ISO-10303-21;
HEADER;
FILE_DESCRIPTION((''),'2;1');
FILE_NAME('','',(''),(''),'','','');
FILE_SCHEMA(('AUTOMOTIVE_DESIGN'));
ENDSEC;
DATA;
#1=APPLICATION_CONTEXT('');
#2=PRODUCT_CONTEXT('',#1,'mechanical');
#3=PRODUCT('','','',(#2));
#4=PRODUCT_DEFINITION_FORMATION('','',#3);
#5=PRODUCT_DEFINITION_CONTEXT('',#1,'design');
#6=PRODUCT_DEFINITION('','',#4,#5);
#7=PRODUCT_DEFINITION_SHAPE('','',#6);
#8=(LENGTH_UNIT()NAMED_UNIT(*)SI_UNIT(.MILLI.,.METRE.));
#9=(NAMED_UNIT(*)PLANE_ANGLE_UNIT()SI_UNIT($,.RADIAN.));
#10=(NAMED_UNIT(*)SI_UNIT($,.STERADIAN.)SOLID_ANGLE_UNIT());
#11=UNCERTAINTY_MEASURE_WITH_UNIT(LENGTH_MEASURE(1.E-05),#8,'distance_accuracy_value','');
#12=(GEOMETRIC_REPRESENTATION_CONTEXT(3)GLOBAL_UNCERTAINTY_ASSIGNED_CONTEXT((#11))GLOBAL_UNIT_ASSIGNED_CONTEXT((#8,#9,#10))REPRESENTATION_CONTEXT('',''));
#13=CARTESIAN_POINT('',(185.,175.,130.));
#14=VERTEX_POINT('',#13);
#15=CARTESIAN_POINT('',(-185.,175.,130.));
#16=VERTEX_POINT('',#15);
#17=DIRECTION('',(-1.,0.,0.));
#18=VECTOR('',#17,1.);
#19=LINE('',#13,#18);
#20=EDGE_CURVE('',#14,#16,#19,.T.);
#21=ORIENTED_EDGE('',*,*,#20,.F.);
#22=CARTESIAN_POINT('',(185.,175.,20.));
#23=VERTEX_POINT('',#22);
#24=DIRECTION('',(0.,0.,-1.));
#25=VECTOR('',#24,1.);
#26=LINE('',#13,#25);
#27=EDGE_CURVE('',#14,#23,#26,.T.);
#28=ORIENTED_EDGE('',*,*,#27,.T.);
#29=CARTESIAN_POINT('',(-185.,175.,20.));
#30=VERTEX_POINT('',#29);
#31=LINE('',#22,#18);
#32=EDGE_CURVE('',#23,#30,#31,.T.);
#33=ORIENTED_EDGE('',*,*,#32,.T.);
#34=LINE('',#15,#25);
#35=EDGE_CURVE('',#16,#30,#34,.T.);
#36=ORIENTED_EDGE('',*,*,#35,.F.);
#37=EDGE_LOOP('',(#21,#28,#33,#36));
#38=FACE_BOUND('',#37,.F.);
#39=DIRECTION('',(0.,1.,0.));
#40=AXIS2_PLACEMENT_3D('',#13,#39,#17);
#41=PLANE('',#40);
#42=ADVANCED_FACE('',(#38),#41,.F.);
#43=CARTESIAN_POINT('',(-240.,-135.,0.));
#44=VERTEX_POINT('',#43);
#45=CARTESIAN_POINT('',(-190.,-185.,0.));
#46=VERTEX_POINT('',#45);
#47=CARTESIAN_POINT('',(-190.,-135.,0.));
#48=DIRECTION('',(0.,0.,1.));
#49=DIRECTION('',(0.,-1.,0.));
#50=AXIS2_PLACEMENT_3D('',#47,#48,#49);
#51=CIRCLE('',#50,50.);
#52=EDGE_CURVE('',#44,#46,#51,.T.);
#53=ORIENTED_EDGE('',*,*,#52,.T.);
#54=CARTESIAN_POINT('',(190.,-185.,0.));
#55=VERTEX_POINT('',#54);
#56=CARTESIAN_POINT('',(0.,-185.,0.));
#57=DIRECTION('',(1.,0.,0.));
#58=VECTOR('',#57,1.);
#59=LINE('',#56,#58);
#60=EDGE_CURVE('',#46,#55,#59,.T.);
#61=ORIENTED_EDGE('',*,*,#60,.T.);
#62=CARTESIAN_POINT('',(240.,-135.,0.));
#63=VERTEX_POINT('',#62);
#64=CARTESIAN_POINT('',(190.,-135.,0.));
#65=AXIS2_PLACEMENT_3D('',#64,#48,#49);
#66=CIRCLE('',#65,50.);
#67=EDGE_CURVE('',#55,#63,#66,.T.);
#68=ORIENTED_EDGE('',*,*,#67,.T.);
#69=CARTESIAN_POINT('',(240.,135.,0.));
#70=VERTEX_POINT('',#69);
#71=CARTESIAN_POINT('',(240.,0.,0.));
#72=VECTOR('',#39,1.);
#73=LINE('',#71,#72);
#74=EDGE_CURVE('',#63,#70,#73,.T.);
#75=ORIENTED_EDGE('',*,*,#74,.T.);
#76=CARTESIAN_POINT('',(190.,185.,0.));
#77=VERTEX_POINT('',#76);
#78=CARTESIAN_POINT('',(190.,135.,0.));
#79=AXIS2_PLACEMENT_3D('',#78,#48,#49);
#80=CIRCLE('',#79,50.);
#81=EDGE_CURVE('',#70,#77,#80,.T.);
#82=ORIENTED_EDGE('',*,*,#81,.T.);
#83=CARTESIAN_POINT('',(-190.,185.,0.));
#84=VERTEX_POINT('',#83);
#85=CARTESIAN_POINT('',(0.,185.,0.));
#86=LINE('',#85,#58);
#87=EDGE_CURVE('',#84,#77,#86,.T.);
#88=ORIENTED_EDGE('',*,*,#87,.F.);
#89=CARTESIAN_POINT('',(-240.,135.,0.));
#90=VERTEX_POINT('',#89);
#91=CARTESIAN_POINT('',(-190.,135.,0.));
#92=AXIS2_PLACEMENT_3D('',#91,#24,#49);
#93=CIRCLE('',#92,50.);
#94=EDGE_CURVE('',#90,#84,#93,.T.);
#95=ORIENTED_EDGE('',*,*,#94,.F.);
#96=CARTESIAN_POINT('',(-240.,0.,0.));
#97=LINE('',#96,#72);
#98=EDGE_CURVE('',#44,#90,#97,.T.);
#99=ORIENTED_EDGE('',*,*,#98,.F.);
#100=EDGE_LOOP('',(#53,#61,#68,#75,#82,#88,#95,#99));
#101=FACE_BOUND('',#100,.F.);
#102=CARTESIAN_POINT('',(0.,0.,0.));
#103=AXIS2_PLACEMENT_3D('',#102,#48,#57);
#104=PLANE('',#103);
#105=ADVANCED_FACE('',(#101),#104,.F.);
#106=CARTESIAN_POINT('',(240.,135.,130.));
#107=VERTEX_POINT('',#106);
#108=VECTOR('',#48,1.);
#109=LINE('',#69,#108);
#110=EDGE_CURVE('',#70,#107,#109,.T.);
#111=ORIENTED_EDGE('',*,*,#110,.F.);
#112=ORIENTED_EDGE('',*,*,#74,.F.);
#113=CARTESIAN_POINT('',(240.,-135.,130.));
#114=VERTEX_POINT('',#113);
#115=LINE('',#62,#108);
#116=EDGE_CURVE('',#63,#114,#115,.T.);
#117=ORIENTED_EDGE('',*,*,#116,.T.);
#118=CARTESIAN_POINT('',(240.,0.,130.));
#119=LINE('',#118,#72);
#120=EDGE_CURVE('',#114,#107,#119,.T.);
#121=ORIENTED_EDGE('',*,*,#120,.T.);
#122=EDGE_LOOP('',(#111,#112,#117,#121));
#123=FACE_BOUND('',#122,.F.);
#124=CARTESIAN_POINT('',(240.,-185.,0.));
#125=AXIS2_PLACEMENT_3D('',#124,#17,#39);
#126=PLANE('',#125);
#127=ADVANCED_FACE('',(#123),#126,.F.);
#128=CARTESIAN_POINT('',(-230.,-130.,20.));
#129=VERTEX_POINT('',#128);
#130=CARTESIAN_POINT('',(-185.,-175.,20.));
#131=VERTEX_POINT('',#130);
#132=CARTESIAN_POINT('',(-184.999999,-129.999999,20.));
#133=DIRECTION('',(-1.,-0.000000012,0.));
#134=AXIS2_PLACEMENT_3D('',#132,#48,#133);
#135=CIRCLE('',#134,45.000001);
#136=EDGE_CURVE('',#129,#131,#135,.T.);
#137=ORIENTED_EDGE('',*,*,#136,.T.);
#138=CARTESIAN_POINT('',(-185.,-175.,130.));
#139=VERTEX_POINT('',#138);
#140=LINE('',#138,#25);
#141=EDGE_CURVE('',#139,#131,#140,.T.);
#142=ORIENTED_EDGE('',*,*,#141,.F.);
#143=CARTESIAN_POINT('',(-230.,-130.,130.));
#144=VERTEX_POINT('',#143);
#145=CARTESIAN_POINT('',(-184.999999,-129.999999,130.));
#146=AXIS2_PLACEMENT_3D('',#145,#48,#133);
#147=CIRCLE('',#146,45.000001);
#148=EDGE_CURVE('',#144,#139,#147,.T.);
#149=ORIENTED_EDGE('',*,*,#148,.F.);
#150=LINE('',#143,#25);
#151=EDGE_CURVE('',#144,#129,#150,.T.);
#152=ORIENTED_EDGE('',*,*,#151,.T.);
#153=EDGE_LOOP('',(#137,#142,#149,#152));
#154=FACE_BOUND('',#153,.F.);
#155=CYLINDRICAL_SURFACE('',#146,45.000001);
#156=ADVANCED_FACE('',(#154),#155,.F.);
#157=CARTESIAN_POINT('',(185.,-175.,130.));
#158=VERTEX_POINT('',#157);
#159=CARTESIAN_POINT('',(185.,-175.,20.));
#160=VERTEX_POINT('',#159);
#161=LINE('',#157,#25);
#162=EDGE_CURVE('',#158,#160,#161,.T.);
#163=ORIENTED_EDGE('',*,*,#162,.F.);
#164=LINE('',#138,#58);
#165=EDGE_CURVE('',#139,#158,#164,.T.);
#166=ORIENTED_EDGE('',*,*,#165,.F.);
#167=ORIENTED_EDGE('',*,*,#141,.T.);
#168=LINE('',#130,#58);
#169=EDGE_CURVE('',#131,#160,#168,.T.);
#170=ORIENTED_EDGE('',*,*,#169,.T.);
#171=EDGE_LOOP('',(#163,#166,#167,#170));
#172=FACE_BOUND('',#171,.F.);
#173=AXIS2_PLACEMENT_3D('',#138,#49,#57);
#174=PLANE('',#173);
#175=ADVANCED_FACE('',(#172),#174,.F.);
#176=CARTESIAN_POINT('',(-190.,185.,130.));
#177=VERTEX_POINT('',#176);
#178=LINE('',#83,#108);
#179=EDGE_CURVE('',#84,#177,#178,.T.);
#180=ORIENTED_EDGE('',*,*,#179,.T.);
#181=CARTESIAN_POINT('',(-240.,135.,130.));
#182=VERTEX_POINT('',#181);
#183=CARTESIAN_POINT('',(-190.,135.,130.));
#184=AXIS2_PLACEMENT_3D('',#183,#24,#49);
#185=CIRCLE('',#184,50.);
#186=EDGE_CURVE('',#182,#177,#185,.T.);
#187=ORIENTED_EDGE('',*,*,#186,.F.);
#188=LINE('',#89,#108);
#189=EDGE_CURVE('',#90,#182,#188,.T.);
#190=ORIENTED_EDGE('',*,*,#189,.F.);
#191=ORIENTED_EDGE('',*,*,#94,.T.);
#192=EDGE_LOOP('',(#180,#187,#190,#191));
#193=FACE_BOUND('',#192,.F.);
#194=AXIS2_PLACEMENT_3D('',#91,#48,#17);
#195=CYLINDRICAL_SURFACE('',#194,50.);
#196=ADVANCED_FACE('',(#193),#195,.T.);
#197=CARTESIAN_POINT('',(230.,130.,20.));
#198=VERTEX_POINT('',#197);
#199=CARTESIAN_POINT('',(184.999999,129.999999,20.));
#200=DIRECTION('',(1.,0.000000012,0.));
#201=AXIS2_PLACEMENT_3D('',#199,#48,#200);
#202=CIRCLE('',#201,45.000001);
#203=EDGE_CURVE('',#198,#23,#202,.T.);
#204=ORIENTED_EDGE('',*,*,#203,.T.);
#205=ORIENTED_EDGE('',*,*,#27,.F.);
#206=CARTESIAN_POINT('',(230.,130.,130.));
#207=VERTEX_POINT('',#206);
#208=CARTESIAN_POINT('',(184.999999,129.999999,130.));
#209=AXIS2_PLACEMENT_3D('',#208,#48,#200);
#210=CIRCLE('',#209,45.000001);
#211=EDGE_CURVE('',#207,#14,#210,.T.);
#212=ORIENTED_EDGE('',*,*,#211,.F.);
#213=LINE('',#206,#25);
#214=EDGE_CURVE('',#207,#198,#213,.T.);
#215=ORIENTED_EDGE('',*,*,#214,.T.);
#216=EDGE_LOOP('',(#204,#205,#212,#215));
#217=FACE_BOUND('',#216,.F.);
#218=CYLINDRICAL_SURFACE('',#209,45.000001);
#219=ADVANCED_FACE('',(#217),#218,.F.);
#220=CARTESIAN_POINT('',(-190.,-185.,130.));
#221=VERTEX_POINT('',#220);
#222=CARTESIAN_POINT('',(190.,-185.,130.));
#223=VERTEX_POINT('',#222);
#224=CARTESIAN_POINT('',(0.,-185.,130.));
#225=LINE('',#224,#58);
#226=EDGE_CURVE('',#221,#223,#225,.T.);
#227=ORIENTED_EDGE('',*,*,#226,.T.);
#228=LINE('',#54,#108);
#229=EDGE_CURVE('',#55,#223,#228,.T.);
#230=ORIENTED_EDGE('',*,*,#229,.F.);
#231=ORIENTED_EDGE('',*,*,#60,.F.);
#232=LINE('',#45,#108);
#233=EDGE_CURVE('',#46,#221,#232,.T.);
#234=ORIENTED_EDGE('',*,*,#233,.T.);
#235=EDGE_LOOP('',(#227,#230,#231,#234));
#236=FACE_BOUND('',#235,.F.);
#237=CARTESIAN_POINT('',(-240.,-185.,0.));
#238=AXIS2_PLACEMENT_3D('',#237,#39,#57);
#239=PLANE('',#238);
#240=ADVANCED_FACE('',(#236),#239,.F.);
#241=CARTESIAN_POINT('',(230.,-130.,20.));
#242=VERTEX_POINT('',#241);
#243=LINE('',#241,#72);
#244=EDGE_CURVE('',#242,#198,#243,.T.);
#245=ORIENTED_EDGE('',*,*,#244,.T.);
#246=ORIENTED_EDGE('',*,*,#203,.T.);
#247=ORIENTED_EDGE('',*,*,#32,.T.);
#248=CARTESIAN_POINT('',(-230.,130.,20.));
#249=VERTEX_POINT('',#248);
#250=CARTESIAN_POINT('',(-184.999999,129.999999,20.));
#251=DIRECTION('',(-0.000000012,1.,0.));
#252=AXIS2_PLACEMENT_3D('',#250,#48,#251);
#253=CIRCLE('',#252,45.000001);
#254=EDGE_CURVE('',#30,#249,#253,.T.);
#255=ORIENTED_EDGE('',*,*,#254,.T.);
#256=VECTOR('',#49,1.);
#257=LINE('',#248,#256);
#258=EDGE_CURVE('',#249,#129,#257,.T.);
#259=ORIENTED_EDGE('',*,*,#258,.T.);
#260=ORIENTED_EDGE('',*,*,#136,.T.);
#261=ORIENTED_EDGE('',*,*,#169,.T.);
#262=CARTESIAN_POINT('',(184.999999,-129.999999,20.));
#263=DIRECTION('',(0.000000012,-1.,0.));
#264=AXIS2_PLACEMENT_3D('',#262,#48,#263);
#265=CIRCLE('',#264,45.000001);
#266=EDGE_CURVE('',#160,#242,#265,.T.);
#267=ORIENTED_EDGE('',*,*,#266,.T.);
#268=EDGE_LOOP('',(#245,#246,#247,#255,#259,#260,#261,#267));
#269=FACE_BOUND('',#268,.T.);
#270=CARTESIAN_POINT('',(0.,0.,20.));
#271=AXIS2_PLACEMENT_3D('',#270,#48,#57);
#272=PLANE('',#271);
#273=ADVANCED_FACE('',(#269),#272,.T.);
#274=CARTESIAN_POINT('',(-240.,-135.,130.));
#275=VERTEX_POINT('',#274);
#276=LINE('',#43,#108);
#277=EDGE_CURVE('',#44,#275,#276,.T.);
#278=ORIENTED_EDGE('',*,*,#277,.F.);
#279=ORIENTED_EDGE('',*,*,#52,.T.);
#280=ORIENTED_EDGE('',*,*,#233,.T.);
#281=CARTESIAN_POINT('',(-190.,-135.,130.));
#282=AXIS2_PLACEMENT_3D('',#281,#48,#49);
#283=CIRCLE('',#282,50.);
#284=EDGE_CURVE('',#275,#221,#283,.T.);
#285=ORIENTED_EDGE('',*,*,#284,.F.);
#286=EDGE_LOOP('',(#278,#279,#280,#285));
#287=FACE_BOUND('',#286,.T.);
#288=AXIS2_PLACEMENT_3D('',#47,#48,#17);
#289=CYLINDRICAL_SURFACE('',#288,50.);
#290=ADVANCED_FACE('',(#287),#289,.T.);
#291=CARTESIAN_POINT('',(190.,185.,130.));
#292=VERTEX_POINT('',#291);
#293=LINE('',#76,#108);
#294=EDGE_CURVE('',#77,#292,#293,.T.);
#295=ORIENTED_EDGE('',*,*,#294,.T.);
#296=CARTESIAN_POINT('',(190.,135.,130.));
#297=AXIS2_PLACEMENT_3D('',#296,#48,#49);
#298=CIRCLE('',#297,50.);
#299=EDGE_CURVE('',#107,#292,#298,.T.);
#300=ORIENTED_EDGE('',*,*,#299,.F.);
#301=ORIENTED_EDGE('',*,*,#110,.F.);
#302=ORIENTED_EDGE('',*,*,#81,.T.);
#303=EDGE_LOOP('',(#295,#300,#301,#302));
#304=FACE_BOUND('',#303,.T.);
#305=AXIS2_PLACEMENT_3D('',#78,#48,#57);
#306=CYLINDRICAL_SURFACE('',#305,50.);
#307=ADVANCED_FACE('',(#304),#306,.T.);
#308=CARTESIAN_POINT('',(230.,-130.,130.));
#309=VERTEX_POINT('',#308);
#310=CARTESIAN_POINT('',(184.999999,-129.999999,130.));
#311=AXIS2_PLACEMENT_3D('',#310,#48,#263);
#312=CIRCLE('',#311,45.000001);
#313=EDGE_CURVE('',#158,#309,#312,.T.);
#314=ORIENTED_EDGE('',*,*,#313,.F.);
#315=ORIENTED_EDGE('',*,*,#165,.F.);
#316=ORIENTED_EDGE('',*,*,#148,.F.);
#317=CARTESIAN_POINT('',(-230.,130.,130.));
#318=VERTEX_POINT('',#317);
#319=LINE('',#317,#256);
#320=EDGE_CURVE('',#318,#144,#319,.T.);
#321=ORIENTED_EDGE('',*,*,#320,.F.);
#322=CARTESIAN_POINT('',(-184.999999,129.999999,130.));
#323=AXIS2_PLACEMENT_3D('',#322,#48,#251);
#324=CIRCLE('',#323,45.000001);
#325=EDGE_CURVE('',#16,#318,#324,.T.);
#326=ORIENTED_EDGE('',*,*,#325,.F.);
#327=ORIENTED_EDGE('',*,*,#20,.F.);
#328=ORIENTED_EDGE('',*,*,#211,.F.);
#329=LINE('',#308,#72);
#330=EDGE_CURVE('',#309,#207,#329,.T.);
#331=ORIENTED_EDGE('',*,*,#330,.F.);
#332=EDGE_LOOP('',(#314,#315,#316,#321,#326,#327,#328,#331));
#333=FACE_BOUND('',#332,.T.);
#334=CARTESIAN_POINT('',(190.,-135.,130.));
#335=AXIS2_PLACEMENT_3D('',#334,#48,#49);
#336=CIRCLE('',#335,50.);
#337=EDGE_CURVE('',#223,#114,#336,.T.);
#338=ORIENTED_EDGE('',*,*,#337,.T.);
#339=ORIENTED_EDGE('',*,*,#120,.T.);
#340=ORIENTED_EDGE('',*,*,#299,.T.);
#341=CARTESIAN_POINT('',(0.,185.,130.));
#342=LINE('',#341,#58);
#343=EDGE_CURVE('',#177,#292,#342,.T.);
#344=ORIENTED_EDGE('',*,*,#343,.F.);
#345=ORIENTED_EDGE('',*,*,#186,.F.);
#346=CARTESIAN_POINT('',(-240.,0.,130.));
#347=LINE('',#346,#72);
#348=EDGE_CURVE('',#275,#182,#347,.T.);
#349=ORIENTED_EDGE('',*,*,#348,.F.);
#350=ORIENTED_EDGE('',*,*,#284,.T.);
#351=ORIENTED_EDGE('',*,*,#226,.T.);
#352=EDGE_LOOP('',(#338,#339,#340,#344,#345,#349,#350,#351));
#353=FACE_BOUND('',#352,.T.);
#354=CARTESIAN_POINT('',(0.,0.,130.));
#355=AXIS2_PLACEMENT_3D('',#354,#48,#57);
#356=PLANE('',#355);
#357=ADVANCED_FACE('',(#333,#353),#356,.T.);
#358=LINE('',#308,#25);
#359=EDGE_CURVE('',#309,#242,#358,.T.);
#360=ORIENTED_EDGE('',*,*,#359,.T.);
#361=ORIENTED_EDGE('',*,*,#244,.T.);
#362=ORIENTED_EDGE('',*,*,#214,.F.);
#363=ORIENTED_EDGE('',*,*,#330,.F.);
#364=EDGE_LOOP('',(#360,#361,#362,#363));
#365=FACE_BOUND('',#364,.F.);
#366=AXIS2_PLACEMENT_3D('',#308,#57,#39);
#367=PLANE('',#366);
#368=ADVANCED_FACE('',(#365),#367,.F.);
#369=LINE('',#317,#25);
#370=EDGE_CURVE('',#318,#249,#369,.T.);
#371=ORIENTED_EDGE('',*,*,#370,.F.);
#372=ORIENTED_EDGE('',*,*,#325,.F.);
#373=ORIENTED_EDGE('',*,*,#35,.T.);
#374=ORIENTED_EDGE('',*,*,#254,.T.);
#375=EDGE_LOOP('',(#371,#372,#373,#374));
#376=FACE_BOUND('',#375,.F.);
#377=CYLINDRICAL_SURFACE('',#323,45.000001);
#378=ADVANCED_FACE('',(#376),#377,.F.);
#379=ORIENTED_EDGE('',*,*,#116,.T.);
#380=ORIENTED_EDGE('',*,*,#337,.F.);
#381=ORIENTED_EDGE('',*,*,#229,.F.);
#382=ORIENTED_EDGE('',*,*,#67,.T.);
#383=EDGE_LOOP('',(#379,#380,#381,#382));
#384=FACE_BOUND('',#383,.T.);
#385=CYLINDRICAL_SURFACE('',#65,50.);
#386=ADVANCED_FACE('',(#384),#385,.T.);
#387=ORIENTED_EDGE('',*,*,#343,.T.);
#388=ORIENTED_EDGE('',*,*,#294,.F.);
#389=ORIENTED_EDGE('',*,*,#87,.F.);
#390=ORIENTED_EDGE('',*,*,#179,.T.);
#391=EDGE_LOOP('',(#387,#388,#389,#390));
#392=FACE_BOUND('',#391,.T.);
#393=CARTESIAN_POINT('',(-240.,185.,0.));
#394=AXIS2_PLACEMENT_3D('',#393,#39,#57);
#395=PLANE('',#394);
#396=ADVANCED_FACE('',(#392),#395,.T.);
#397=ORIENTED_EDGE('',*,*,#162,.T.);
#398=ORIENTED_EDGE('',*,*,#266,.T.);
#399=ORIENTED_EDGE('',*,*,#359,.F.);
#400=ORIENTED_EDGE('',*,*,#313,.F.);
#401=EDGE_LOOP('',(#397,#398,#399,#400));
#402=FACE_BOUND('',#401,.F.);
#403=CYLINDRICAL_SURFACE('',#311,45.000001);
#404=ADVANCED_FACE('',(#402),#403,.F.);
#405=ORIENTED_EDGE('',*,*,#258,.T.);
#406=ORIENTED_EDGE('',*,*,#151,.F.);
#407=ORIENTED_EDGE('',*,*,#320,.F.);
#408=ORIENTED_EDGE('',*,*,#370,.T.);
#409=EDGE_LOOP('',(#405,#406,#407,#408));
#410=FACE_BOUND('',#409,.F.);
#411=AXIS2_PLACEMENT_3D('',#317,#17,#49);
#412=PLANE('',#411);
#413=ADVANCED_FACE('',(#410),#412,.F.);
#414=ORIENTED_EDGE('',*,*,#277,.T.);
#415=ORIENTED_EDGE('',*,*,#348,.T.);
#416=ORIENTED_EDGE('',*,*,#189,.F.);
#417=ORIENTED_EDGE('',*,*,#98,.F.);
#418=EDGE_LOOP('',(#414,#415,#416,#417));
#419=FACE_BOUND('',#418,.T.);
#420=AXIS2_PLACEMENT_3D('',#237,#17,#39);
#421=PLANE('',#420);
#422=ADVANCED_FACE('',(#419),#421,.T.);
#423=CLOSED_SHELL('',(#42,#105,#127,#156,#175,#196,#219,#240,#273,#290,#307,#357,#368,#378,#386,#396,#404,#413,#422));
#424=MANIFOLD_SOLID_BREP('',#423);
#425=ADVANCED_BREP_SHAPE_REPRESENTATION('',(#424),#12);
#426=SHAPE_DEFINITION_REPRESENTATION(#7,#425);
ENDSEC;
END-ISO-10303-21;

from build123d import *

# Parameters (mm, degrees)
F0_W     = 480
F0_H     = 370
F1_DEPTH = 130
F2_R     = 50
F4_DEPTH = 110


with BuildPart() as f1:
    # F0 (on Top) → F1 (new body)
    with BuildSketch(Plane.XY):
        Rectangle(F0_W, F0_H)
    extrude(amount=F1_DEPTH)

    # F2
    f2_edges = [f1.edges().sort_by_distance(p)[0] for p in [
        (240, -185, 65),
        (-240, -185, 65),
        (240, 185, 65),
        (-240, 185, 65),
    ]]
    fillet(f2_edges, radius=F2_R)

    # F3 (on face) → F4 (cut)
    with BuildSketch(Plane.XY.offset(130)):
        with BuildLine():
            ThreePointArc((230, 130), (216.819805, 161.819805), (185, 175))
            Line((185, 175), (-185, 175))
            ThreePointArc((-185, 175), (-216.819805, 161.819805), (-230, 130))
            Line((-230, 130), (-230, -130))
            ThreePointArc((-230, -130), (-216.819805, -161.819805), (-185, -175))
            Line((-185, -175), (185, -175))
            ThreePointArc((185, -175), (216.819805, -161.819805), (230, -130))
            Line((230, -130), (230, 130))
        make_face()
    extrude(amount=-F4_DEPTH, mode=Mode.SUBTRACT)


solid = f1.part
